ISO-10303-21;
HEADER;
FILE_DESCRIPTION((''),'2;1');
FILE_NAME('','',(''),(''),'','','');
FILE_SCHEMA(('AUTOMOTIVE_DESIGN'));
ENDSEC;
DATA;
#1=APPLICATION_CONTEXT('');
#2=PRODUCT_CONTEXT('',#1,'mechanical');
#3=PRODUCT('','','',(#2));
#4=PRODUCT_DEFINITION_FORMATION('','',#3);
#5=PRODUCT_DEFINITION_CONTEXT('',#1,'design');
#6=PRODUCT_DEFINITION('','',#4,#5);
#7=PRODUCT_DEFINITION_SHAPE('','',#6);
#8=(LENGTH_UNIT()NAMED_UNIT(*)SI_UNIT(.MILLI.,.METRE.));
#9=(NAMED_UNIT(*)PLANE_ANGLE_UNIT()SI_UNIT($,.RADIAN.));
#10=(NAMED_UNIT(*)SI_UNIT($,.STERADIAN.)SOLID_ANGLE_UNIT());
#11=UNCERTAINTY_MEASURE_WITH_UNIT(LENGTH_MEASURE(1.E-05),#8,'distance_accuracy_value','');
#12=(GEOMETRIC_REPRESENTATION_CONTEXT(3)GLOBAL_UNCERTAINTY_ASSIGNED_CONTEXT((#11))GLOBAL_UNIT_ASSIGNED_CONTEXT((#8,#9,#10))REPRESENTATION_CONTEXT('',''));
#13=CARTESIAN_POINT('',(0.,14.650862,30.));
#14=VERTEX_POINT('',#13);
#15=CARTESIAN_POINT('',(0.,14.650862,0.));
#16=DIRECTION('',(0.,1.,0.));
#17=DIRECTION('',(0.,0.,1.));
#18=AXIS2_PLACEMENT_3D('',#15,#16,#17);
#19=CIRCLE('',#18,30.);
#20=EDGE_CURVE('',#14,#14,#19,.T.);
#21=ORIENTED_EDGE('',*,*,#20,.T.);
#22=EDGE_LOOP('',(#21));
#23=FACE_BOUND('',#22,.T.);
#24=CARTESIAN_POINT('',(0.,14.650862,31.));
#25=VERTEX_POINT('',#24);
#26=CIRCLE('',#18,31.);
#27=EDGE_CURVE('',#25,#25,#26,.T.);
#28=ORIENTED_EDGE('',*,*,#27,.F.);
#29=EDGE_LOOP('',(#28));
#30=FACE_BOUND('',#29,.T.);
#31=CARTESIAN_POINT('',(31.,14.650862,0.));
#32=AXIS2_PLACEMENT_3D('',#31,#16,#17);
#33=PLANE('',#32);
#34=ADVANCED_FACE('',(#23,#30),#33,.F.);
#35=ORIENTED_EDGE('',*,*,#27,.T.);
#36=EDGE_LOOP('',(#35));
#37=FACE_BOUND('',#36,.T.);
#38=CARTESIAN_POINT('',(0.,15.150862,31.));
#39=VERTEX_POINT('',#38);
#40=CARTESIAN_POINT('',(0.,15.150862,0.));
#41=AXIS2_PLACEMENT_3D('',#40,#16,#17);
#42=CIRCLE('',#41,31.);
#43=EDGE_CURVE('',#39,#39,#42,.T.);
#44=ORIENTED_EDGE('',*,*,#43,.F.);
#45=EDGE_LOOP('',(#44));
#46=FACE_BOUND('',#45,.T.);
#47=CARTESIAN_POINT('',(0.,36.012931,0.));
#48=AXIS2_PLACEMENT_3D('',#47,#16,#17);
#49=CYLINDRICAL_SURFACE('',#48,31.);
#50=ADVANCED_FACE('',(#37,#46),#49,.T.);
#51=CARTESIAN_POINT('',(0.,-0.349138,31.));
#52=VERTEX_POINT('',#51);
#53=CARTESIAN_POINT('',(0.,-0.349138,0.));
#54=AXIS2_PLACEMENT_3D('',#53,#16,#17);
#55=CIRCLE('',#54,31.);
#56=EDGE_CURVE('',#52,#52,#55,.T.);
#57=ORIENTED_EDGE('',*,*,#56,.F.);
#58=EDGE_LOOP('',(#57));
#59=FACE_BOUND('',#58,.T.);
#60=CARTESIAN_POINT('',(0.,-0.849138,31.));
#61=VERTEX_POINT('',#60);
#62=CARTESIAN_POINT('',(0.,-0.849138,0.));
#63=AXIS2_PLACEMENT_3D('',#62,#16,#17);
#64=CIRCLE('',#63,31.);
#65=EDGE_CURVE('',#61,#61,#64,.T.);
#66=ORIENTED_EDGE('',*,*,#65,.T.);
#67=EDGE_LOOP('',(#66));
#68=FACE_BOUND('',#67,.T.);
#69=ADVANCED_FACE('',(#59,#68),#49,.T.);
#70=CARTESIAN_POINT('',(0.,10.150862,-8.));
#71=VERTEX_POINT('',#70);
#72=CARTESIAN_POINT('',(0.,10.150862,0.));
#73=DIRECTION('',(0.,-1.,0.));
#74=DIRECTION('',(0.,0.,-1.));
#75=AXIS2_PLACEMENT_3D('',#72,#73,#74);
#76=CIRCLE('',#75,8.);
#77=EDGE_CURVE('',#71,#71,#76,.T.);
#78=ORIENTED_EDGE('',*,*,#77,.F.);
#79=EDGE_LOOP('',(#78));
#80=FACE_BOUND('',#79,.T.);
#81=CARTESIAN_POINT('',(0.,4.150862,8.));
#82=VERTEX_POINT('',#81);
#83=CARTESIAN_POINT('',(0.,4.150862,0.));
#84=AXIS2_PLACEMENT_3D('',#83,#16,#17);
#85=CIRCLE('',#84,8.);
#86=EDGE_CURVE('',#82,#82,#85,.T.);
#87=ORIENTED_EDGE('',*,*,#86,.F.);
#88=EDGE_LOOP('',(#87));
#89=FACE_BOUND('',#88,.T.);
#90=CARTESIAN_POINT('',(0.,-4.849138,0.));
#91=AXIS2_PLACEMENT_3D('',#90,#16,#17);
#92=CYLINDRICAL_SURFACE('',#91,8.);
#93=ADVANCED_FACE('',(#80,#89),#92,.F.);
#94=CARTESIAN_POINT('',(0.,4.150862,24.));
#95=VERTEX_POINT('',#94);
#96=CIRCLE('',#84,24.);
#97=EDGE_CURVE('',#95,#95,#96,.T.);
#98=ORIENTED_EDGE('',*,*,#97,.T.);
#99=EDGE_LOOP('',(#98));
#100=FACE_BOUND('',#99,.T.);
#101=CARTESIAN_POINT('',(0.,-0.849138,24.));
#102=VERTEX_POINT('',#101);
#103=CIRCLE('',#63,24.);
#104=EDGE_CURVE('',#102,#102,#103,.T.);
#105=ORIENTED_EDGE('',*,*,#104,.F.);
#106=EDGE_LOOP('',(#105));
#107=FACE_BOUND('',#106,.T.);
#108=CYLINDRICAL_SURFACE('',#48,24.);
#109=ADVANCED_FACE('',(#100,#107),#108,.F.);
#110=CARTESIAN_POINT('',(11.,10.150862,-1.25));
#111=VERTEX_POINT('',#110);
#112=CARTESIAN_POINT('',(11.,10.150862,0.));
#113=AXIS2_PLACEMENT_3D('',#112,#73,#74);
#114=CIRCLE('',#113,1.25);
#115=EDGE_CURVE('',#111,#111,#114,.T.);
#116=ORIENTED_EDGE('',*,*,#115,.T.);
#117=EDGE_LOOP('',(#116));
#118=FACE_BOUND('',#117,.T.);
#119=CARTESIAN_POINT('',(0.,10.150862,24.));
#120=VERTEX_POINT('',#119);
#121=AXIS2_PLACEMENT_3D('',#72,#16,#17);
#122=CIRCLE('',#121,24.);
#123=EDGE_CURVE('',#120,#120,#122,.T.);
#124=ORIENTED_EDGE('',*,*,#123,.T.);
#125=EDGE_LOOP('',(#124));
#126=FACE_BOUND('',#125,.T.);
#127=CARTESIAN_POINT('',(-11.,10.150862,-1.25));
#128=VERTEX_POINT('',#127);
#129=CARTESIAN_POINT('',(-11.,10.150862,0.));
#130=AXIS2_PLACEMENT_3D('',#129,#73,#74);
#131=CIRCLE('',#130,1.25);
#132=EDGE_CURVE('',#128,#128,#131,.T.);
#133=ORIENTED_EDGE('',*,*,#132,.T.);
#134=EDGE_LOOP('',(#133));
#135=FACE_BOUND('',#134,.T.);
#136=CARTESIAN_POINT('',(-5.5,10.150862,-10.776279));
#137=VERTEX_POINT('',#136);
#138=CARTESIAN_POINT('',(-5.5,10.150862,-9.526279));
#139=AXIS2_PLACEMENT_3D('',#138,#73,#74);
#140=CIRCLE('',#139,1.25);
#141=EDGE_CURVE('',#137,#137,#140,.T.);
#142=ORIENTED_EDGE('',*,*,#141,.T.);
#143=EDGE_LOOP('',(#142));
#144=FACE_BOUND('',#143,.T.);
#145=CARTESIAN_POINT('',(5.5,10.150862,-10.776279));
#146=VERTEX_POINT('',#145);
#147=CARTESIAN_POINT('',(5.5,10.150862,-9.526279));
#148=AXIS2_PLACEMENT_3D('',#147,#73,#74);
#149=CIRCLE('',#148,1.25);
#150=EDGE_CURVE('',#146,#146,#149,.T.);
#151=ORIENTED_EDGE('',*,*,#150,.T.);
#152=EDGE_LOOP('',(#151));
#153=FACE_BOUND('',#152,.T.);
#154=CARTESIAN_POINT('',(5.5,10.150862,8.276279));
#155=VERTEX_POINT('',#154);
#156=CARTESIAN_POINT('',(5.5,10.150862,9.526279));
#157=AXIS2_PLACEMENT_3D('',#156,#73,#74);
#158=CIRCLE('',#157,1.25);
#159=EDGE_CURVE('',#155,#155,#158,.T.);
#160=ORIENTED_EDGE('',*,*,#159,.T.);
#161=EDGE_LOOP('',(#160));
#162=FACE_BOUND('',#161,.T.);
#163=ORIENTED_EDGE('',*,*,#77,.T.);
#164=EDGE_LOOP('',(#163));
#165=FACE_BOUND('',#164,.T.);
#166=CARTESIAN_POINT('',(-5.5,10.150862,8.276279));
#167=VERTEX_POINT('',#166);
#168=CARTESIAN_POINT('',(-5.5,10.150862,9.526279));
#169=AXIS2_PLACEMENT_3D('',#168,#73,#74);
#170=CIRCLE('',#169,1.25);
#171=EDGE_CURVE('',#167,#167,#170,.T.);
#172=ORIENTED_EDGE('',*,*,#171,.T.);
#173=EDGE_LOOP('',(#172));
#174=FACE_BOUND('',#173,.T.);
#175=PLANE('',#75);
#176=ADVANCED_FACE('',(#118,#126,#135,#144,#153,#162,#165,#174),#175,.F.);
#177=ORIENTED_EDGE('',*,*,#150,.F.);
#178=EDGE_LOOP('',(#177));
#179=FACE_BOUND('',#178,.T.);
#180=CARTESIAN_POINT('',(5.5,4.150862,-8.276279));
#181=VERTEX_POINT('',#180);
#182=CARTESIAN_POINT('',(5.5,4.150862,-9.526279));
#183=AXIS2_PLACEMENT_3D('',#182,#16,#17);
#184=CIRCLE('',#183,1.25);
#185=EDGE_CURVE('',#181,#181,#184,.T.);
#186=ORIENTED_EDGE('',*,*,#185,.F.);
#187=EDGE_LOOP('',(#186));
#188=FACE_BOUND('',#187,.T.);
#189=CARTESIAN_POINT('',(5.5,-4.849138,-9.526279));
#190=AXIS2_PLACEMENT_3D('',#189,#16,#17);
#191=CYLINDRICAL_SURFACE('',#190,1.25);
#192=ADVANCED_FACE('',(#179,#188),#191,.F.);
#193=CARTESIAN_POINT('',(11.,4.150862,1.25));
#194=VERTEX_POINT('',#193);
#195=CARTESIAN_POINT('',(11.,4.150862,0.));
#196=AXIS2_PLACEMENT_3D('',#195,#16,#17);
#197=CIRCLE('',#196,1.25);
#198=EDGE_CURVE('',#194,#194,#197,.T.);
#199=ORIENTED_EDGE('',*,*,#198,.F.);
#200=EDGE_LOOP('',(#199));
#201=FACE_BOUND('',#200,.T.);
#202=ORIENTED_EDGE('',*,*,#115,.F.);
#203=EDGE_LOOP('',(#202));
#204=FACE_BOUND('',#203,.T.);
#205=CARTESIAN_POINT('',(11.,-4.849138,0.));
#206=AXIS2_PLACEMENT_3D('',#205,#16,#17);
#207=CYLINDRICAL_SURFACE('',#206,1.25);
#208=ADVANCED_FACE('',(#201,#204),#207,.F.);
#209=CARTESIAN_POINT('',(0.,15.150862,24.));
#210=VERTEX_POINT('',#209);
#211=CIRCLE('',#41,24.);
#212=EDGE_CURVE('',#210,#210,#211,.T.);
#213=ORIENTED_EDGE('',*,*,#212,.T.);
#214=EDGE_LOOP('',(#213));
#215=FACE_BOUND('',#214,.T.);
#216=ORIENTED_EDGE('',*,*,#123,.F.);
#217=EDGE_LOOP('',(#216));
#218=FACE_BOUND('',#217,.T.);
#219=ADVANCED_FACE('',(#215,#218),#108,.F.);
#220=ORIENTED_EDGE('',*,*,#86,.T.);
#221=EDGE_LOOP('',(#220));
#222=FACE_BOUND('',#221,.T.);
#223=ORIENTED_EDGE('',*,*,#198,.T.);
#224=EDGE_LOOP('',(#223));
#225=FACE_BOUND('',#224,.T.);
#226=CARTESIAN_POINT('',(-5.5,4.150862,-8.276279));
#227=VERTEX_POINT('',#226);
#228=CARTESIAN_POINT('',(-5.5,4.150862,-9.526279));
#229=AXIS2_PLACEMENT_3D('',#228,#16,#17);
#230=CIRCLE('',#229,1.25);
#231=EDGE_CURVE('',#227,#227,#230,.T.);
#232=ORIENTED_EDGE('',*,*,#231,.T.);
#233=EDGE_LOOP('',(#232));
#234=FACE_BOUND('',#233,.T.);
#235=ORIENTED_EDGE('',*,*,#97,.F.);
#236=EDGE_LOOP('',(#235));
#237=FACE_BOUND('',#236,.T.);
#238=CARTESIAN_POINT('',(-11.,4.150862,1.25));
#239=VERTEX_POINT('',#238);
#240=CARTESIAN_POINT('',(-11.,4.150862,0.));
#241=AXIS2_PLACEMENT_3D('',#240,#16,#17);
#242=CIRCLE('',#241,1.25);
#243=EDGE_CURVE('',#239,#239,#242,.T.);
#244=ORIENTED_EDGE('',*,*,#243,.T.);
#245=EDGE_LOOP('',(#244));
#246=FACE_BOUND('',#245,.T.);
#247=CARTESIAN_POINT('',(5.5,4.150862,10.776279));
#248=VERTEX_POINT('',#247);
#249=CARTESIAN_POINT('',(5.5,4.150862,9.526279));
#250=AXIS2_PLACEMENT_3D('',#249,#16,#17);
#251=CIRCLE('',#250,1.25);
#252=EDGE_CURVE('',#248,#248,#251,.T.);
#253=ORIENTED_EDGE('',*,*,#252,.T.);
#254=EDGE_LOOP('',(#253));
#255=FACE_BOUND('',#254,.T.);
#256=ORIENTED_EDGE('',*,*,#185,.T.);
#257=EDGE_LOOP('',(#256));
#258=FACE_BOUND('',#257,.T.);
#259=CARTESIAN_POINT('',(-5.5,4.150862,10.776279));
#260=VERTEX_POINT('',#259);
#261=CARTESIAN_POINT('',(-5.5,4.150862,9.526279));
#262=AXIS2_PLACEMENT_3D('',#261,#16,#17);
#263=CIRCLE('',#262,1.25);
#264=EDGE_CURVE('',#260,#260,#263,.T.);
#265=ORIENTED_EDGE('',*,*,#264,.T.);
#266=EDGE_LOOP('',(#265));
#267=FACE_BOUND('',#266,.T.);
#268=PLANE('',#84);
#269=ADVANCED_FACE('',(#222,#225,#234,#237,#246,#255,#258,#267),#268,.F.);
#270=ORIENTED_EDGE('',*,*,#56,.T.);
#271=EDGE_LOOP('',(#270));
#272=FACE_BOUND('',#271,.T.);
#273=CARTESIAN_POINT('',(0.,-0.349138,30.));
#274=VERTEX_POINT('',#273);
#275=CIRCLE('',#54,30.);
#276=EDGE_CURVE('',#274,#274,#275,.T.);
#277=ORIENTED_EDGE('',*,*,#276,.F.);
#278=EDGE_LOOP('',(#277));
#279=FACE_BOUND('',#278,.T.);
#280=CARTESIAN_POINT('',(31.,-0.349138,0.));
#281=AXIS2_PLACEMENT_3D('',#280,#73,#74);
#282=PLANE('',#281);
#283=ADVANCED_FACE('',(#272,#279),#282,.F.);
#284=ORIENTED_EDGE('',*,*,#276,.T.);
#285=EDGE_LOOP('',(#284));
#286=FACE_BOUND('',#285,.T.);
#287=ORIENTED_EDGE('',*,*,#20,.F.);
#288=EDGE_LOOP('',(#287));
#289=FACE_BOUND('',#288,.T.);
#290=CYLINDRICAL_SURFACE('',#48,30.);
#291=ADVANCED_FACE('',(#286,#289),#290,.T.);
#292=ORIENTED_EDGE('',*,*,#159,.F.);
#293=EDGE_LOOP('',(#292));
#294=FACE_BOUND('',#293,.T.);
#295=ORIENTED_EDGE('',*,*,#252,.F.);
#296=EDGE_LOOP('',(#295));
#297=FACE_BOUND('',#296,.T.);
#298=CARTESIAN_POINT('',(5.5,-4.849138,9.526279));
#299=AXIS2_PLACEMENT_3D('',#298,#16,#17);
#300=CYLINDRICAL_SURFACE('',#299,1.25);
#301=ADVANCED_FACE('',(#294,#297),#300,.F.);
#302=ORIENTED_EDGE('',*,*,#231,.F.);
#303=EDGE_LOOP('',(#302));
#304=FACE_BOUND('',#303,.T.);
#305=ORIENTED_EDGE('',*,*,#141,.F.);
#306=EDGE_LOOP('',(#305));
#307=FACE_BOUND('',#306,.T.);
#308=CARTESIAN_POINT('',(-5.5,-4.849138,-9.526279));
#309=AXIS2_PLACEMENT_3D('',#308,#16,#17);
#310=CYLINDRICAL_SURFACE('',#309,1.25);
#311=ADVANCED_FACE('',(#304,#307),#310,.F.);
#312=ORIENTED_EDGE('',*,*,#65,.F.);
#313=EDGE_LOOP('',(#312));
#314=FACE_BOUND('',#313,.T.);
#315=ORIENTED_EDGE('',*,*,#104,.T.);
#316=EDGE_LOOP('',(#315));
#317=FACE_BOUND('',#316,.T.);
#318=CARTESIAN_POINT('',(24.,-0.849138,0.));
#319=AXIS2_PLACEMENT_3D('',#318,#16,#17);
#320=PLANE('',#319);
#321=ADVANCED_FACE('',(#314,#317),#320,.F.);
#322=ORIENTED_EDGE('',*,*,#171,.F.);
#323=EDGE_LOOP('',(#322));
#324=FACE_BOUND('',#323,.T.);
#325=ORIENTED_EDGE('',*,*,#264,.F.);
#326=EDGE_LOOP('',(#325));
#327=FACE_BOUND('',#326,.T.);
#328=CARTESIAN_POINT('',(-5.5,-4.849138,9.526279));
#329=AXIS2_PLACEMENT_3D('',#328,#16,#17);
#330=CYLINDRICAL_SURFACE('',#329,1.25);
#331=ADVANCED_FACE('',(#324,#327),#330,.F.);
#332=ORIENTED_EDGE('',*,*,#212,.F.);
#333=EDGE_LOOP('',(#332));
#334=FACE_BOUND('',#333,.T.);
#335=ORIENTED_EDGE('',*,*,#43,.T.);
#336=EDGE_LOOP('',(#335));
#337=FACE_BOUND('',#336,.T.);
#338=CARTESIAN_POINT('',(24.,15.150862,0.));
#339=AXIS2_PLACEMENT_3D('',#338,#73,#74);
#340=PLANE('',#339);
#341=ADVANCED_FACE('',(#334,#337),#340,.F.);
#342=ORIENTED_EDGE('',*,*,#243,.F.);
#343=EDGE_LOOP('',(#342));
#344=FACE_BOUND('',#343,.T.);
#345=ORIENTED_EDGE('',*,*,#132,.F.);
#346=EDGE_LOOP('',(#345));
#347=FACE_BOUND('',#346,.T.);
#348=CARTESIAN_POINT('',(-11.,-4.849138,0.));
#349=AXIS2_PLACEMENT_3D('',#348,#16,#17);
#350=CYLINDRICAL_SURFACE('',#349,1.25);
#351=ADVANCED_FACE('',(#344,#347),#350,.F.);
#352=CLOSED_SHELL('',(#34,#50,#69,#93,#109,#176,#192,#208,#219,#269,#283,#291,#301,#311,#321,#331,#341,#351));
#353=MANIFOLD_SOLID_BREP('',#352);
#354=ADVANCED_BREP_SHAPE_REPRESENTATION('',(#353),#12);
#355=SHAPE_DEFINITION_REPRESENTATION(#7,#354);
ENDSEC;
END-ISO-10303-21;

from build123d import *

# Parameters (mm, degrees)
SKETCH2_R          = 8
SKETCH2_R_2        = 1.25
CUT_EXTRUDE1_DEPTH = 15


with BuildPart() as part:
    # Sketch1 → Revolve1 (revolve)
    with BuildSketch(Plane.XY):
        Polygon((0, 10.150862069), (24, 10.150862069), (24, 15.150862069), (31, 15.150862069), (31, 14.650862069), (30, 14.650862069), (30, -0.349137931), (31, -0.349137931), (31, -0.849137931), (24, -0.849137931), (24, 4.150862069), (0, 4.150862069), align=None)
    revolve(axis=Axis((0, 36.012931034, 0), (0, -1, 0)))

    # Sketch2 → Cut-Extrude1 (cut, symmetric)
    with BuildSketch(Plane(origin=(0, 10.150862069, 0), x_dir=(1, 0, 0), z_dir=(0, 1, 0))):
        Circle(SKETCH2_R)
        with Locations((11, 0)):
            Circle(SKETCH2_R_2)
        with Locations((5.5, -9.526279442)):
            Circle(SKETCH2_R_2)
        with Locations((-5.5, -9.526279442)):
            Circle(SKETCH2_R_2)
        with Locations((-11, 0)):
            Circle(SKETCH2_R_2)
        with Locations((-5.5, 9.526279442)):
            Circle(SKETCH2_R_2)
        with Locations((5.5, 9.526279442)):
            Circle(SKETCH2_R_2)
    extrude(amount=CUT_EXTRUDE1_DEPTH, both=True, mode=Mode.SUBTRACT)


solid = part.part
